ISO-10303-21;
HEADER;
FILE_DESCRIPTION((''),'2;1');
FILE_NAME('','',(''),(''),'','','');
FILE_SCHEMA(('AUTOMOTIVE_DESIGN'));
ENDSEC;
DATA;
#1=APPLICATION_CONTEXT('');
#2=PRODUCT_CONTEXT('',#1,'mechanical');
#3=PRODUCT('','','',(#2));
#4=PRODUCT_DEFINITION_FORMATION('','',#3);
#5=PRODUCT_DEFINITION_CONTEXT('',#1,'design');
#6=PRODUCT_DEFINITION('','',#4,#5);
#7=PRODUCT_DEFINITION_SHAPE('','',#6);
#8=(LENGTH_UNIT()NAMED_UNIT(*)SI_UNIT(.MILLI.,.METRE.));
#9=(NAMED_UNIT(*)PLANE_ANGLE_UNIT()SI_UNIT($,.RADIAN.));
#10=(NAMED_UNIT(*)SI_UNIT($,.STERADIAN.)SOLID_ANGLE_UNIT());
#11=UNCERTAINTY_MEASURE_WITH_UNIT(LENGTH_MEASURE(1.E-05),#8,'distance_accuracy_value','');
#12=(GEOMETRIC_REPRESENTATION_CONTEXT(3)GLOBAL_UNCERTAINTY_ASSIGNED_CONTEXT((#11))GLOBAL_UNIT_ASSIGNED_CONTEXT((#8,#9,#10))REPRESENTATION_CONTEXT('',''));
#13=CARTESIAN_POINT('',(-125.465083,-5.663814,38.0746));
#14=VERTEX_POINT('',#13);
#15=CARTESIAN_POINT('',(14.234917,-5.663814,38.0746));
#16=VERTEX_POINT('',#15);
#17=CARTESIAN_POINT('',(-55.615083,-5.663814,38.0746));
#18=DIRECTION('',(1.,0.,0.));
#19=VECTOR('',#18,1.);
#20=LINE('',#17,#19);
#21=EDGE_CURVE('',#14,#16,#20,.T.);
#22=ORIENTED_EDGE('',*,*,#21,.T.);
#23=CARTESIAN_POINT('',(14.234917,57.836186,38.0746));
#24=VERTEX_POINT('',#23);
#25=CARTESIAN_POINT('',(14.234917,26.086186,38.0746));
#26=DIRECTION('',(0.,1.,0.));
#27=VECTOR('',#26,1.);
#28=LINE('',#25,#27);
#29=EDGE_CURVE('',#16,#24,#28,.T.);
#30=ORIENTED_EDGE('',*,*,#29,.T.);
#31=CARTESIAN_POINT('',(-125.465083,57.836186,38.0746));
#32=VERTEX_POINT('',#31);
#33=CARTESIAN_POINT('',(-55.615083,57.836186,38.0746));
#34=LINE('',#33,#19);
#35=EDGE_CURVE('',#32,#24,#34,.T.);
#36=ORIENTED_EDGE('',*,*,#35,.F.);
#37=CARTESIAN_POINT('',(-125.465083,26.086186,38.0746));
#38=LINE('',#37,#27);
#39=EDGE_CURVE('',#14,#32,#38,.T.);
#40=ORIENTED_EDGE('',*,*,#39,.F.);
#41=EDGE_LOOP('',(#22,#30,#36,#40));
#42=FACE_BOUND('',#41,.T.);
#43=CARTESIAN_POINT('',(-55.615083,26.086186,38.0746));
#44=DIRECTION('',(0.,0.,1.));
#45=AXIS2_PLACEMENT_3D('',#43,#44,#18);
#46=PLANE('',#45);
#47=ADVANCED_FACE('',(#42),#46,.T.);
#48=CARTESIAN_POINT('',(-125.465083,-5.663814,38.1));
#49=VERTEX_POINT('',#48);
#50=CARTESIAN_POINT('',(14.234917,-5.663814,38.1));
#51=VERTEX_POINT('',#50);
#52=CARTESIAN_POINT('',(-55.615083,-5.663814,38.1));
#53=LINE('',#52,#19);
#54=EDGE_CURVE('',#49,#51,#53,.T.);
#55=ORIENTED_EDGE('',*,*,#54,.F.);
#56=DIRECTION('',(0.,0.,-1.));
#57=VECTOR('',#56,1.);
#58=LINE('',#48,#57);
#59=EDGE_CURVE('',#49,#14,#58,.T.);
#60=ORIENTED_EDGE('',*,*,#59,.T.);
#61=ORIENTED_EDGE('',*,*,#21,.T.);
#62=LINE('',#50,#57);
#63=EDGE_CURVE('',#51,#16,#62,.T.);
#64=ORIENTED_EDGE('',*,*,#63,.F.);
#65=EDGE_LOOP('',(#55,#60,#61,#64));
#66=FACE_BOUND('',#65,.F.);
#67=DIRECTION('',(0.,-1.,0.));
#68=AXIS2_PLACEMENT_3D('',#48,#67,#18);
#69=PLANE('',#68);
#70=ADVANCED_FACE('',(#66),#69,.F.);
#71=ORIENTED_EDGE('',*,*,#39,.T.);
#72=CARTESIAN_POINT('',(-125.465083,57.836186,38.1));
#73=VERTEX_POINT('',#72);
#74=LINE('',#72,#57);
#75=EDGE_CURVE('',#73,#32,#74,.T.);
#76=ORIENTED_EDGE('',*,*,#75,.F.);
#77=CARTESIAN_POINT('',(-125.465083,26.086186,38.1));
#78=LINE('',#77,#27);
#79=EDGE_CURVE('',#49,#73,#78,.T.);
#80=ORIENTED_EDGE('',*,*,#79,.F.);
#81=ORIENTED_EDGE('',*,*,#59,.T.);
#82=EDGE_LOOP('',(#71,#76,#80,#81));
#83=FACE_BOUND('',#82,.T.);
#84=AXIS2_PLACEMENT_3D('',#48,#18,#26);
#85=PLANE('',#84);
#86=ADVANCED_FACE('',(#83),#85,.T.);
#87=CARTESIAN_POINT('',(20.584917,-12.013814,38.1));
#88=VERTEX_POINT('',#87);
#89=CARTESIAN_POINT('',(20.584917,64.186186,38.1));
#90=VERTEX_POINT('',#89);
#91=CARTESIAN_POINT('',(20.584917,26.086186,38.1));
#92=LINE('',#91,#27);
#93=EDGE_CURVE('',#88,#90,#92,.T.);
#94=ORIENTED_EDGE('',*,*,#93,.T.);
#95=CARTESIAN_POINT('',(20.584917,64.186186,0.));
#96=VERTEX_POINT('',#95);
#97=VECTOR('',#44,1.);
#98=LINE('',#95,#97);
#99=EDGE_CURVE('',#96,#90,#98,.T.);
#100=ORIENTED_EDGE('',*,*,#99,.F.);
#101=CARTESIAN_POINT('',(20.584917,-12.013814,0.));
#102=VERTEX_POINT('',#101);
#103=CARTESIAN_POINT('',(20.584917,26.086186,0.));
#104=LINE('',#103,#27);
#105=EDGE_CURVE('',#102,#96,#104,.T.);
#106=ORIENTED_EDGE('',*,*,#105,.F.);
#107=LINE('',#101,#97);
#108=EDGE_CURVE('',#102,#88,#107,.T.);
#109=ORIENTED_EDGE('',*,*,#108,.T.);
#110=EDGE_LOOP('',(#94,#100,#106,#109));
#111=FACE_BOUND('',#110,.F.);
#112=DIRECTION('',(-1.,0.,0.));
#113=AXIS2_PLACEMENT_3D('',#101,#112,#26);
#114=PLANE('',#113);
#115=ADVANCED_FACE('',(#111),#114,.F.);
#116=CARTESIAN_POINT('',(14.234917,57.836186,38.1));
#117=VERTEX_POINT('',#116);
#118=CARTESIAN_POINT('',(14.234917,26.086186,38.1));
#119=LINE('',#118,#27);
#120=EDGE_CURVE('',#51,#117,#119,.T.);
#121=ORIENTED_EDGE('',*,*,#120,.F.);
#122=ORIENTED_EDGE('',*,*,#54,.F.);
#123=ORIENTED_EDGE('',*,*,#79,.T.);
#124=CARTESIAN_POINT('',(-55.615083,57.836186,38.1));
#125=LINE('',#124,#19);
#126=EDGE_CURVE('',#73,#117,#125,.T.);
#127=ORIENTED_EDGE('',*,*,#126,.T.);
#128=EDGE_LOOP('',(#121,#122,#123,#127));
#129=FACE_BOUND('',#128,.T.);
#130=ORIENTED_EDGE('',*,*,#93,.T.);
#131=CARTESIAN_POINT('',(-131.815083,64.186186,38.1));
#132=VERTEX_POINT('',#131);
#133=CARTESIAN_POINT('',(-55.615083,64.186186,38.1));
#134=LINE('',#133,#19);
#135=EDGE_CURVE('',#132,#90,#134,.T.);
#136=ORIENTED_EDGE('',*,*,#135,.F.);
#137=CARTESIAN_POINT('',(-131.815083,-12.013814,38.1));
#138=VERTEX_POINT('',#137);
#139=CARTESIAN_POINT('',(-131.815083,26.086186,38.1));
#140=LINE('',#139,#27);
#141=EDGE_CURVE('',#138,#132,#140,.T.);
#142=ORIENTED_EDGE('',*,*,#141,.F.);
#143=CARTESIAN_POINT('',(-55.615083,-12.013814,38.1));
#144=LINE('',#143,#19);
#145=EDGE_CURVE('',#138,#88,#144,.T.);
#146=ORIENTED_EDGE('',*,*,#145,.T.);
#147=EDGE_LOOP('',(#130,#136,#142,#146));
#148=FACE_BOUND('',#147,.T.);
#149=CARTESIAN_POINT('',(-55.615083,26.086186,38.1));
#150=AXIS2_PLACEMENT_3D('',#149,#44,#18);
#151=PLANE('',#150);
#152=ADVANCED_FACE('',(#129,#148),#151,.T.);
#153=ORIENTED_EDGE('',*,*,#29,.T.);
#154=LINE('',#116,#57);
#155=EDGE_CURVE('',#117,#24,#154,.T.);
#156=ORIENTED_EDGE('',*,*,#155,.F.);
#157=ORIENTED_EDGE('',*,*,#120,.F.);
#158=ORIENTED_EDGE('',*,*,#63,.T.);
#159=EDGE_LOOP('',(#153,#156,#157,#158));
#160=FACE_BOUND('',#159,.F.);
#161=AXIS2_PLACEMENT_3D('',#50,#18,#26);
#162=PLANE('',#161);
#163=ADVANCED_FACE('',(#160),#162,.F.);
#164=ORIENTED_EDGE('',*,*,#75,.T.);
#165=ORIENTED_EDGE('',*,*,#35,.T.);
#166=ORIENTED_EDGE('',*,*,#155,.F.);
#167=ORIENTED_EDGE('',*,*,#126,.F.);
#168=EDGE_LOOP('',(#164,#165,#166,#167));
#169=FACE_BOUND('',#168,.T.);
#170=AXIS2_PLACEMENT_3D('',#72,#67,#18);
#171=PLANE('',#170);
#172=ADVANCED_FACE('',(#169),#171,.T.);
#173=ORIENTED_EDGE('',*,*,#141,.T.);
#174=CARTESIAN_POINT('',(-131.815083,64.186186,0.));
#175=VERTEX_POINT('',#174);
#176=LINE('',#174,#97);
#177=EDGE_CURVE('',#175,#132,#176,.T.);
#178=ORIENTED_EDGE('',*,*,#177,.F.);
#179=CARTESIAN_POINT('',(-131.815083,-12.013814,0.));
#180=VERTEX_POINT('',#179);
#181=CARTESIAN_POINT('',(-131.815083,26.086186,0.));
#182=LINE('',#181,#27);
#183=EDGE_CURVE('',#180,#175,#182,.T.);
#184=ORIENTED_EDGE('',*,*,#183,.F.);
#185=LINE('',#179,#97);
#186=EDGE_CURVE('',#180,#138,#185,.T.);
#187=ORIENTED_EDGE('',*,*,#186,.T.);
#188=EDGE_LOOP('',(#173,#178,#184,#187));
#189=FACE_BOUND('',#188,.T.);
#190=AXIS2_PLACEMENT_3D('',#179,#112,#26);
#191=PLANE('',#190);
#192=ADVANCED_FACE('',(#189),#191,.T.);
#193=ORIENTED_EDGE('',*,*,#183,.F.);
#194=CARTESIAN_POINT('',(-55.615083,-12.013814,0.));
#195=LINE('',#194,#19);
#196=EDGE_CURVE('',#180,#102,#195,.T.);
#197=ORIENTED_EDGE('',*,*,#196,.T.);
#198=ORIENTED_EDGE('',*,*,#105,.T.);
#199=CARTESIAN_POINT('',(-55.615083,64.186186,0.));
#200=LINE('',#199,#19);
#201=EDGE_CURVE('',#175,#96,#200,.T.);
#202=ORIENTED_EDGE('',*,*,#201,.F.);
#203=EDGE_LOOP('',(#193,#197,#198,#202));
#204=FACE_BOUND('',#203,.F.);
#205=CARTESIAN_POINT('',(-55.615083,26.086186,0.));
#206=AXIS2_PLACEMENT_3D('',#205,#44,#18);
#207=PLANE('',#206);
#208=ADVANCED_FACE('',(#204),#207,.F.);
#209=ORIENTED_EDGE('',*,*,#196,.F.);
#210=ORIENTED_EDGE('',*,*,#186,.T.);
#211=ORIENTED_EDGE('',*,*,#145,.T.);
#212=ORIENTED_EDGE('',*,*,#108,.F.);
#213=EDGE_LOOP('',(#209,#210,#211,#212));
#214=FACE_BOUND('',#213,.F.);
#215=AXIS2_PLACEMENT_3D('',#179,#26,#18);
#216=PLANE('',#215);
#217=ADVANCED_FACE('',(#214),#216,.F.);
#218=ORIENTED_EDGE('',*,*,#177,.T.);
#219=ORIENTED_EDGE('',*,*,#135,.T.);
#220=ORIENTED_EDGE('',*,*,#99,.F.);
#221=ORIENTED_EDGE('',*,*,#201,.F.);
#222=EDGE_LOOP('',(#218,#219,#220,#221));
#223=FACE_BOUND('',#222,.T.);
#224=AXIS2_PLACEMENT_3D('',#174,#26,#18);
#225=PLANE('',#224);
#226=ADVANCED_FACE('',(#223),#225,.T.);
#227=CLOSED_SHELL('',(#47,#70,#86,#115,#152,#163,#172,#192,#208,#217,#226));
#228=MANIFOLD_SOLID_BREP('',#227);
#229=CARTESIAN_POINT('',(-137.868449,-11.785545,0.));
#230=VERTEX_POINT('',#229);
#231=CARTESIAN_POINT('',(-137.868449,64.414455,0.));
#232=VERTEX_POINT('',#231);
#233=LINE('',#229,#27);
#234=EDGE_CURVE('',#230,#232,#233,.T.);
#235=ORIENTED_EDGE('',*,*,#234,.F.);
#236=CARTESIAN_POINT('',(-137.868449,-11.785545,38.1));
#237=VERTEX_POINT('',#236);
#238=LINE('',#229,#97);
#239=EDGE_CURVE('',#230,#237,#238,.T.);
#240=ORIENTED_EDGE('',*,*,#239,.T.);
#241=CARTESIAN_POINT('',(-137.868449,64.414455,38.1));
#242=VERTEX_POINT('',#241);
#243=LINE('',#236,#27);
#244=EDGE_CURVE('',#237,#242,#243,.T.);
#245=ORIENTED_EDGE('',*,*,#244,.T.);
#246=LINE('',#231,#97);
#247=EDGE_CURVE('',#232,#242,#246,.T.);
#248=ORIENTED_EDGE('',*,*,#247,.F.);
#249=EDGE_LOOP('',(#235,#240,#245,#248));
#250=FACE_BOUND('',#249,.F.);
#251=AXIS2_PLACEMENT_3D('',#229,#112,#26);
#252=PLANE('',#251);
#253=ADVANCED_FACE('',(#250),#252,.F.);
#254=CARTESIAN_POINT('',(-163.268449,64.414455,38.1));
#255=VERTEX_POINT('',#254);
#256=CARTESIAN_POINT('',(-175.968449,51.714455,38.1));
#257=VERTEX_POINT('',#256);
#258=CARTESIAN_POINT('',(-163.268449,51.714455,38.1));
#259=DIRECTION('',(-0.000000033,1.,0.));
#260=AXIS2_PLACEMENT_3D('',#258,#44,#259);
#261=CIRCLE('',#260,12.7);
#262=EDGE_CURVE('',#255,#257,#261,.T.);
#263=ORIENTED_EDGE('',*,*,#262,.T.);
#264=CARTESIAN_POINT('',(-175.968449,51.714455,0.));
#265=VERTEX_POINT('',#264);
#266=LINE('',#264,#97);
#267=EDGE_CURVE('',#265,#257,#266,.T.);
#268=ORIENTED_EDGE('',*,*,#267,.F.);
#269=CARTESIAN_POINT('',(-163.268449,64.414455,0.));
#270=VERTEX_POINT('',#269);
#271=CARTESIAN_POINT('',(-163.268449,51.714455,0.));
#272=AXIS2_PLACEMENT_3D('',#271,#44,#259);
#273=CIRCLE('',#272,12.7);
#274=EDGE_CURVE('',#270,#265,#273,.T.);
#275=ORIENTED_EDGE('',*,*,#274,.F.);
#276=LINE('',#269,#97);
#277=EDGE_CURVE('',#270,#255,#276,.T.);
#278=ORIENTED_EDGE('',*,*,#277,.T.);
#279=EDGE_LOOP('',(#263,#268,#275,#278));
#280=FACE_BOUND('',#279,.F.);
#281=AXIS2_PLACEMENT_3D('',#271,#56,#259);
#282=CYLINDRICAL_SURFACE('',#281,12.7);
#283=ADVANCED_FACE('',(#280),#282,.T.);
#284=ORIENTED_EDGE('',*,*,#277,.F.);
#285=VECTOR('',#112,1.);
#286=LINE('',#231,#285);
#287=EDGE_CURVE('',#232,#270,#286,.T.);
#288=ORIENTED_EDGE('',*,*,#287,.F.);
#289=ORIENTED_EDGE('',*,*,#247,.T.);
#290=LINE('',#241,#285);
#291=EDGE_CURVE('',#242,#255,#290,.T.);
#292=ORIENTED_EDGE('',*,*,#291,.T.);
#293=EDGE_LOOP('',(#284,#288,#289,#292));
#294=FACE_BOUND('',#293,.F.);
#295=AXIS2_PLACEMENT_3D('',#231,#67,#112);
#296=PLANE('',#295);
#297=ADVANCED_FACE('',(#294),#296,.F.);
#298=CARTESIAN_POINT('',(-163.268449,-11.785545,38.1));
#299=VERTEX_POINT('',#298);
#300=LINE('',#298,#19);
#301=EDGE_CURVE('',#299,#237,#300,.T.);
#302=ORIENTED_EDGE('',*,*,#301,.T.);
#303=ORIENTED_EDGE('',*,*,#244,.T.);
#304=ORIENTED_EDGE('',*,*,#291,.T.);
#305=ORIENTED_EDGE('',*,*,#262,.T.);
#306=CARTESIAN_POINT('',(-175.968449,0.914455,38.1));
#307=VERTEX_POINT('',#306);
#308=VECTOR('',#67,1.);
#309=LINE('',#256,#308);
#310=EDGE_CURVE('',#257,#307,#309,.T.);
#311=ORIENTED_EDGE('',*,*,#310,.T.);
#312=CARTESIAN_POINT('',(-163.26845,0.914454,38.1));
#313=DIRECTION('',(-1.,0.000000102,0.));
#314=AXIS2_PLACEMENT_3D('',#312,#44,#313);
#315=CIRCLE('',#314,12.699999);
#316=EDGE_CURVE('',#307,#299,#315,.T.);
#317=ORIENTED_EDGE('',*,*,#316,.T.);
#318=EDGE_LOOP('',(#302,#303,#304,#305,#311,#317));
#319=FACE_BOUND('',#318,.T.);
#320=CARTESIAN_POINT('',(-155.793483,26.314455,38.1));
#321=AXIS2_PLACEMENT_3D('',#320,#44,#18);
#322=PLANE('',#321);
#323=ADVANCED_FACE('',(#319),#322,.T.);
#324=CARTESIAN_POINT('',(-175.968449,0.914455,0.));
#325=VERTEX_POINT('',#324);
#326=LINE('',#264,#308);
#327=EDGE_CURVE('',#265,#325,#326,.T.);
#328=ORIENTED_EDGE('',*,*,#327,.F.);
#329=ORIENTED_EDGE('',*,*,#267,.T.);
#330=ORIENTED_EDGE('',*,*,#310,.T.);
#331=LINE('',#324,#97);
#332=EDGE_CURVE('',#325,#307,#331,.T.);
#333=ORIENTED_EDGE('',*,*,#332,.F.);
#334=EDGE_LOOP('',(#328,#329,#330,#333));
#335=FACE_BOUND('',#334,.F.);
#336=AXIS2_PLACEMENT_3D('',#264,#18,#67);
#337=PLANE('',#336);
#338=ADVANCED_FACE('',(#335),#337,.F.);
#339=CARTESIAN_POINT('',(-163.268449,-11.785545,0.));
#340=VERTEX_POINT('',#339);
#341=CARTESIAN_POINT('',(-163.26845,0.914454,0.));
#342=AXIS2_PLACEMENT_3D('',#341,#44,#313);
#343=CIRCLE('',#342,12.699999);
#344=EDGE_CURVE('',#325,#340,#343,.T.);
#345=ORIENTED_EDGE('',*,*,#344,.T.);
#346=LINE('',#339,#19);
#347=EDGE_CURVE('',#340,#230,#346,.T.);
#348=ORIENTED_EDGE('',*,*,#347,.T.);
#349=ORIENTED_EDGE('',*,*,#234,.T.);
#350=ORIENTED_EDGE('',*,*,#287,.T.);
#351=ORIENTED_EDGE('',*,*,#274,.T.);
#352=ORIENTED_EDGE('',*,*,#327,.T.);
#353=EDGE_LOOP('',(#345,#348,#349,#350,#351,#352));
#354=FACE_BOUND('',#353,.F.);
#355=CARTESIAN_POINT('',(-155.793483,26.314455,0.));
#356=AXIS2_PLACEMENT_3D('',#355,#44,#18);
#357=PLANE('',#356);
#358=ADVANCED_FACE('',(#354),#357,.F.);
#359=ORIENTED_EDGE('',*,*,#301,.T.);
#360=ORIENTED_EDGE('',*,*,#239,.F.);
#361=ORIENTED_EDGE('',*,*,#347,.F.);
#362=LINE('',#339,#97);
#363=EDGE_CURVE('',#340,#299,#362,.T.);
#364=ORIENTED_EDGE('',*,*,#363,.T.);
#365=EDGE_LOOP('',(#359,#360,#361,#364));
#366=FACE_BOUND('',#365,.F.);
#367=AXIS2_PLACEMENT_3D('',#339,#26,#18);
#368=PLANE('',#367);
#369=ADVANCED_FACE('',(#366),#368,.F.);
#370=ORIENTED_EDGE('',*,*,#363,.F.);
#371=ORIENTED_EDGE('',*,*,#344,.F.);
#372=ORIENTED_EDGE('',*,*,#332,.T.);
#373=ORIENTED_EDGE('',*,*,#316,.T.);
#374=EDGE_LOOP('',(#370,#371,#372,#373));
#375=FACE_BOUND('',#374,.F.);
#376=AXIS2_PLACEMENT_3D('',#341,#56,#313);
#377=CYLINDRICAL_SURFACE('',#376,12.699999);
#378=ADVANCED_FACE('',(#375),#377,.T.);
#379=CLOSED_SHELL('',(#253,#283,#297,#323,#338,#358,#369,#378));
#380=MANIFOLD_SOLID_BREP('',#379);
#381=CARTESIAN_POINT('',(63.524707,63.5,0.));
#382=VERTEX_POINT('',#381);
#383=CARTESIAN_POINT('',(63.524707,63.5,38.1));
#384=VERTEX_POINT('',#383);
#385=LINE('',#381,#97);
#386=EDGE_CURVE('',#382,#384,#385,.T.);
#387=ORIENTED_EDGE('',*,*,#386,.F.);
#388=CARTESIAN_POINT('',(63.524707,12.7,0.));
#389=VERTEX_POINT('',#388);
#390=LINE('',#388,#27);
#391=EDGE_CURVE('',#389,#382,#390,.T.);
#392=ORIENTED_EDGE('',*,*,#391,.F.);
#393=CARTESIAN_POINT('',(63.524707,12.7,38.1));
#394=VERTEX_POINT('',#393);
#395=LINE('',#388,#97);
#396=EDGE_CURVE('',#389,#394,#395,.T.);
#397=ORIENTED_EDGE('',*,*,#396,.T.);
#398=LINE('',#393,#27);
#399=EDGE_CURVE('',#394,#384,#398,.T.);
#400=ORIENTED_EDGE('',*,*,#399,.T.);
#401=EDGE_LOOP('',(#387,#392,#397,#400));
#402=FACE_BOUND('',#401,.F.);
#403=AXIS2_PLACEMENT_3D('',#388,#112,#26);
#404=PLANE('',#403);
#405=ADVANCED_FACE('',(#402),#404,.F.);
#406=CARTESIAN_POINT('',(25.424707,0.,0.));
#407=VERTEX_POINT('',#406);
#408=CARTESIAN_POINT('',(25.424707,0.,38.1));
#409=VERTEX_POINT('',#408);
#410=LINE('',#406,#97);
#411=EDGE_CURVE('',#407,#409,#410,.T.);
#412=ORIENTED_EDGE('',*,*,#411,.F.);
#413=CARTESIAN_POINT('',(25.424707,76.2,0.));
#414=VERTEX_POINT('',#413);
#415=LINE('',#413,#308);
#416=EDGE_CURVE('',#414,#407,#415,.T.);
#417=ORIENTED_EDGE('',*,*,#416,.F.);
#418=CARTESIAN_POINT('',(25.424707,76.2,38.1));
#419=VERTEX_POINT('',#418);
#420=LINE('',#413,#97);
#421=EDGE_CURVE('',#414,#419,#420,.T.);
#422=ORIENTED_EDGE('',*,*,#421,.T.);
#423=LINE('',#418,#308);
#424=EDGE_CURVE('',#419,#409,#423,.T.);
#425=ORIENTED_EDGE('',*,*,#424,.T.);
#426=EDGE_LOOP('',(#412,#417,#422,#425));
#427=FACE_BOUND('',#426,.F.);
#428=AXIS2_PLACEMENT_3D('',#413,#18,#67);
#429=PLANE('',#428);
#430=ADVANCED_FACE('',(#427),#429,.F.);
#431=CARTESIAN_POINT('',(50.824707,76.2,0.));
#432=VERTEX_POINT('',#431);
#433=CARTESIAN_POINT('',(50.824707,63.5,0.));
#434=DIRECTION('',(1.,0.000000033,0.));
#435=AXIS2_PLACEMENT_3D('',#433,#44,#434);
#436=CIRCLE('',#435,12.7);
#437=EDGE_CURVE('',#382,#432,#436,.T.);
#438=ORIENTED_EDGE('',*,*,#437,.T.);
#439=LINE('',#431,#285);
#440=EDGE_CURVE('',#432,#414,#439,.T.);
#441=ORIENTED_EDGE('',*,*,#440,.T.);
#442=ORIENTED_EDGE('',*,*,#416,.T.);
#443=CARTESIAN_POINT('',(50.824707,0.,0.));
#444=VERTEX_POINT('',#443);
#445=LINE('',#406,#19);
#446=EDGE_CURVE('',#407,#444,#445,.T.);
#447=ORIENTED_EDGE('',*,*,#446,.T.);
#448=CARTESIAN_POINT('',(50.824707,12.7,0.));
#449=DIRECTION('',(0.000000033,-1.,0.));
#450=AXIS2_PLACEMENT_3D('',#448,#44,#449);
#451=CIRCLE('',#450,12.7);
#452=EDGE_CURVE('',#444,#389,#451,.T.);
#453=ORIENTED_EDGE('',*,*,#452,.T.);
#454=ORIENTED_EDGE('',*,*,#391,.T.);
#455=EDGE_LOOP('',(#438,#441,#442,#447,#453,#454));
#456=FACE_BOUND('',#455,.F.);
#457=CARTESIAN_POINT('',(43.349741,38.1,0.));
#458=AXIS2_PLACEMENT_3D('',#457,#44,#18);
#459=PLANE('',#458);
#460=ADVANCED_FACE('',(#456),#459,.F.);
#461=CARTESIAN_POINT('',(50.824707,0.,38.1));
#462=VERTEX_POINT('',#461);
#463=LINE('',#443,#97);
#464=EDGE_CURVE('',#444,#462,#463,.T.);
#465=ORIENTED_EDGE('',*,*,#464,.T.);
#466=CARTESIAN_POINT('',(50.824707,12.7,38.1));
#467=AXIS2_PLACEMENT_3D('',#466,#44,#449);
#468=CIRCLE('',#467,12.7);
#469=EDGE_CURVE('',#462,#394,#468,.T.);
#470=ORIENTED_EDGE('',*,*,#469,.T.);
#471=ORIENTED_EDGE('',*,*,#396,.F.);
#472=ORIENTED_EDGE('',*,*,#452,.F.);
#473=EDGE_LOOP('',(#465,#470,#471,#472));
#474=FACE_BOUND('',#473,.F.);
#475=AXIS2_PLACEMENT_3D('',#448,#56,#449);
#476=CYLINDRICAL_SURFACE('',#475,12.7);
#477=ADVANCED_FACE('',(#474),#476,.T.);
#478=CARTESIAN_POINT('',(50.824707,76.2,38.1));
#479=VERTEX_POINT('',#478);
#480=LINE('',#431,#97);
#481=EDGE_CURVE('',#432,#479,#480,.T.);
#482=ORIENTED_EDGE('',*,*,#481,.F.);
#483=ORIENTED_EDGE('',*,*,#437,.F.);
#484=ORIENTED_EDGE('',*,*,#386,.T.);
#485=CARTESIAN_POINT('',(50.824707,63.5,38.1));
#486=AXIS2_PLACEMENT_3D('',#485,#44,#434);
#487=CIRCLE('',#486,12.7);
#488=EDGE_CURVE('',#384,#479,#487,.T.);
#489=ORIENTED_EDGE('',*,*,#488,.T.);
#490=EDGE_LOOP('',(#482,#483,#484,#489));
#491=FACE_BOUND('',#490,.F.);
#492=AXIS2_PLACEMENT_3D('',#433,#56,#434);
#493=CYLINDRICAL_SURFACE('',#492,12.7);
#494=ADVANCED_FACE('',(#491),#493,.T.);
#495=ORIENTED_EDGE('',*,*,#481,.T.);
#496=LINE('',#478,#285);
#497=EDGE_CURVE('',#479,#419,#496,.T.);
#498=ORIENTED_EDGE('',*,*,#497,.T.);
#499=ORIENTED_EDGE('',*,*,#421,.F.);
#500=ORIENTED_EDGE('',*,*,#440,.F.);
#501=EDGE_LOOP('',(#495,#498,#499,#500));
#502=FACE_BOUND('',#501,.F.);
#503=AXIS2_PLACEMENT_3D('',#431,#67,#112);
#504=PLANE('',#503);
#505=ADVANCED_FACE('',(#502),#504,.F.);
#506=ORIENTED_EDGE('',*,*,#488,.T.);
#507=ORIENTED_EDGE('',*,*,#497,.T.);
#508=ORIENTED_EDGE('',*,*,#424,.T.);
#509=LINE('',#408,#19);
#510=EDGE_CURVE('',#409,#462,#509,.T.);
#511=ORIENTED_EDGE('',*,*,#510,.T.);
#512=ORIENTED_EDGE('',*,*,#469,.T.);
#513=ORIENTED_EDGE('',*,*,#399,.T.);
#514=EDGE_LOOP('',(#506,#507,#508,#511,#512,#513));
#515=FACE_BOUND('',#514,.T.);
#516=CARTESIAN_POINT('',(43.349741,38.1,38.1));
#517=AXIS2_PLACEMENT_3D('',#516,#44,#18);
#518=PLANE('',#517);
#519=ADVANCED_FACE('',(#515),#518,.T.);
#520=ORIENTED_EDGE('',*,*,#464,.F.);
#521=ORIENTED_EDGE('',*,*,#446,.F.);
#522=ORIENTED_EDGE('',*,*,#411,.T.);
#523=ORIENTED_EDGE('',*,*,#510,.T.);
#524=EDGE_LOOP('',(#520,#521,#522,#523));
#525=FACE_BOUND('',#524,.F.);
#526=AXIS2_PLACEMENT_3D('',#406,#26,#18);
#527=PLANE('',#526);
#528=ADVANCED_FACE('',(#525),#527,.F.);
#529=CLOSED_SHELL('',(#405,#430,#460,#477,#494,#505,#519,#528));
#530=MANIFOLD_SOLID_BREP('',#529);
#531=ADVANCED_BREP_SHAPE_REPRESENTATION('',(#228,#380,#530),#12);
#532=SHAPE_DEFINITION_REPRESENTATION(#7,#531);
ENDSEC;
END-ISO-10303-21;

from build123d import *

# Parameters (mm, degrees)
F0_W     = 152.4
F0_H     = 76.2
F1_DEPTH = 38.1
F4_DEPTH = 38.1
F5_W     = 139.7
F5_H     = 63.5
F6_DEPTH = 0.0254


with BuildPart() as f1:
    # F0 (on Top) → F1 (new body)
    with BuildSketch(Plane.XY):
        with Locations((-55.615083, 26.086186)):
            Rectangle(F0_W, F0_H)
    extrude(amount=F1_DEPTH)

    # F5 (on face) → F6 (cut)
    with BuildSketch(Plane.XY.offset(38.1)):
        with Locations((-55.615083, 26.086186)):
            Rectangle(F5_W, F5_H)
    extrude(amount=-F6_DEPTH, mode=Mode.SUBTRACT)


with BuildPart() as f4:
    # F3 (on Top) + F2 (on Top) → F4 (new body)
    with BuildSketch(Plane.XY):
        with BuildLine():
            Line((-137.868449, 64.414455), (-163.268449, 64.414455))
            ThreePointArc((-163.268449, 64.414455), (-172.248705, 60.694711), (-175.968449, 51.714455))
            Line((-175.968449, 51.714455), (-175.968449, 0.914455))
            ThreePointArc((-175.968449, 0.914455), (-172.248705, -8.065802), (-163.268449, -11.785545))
            Line((-163.268449, -11.785545), (-137.868449, -11.785545))
            Line((-137.868449, -11.785545), (-137.868449, 64.414455))
        make_face()
    with BuildSketch(Plane.XY):
        with BuildLine():
            Line((50.824707, 76.2), (25.424707, 76.2))
            Line((25.424707, 76.2), (25.424707, 0))
            Line((25.424707, 0), (50.824707, 0))
            ThreePointArc((50.824707, 0), (59.804963, 3.719744), (63.524707, 12.7))
            Line((63.524707, 12.7), (63.524707, 63.5))
            ThreePointArc((63.524707, 63.5), (59.804963, 72.480256), (50.824707, 76.2))
        make_face()
    extrude(amount=F4_DEPTH)


solid = Compound([f1.part, f4.part])
